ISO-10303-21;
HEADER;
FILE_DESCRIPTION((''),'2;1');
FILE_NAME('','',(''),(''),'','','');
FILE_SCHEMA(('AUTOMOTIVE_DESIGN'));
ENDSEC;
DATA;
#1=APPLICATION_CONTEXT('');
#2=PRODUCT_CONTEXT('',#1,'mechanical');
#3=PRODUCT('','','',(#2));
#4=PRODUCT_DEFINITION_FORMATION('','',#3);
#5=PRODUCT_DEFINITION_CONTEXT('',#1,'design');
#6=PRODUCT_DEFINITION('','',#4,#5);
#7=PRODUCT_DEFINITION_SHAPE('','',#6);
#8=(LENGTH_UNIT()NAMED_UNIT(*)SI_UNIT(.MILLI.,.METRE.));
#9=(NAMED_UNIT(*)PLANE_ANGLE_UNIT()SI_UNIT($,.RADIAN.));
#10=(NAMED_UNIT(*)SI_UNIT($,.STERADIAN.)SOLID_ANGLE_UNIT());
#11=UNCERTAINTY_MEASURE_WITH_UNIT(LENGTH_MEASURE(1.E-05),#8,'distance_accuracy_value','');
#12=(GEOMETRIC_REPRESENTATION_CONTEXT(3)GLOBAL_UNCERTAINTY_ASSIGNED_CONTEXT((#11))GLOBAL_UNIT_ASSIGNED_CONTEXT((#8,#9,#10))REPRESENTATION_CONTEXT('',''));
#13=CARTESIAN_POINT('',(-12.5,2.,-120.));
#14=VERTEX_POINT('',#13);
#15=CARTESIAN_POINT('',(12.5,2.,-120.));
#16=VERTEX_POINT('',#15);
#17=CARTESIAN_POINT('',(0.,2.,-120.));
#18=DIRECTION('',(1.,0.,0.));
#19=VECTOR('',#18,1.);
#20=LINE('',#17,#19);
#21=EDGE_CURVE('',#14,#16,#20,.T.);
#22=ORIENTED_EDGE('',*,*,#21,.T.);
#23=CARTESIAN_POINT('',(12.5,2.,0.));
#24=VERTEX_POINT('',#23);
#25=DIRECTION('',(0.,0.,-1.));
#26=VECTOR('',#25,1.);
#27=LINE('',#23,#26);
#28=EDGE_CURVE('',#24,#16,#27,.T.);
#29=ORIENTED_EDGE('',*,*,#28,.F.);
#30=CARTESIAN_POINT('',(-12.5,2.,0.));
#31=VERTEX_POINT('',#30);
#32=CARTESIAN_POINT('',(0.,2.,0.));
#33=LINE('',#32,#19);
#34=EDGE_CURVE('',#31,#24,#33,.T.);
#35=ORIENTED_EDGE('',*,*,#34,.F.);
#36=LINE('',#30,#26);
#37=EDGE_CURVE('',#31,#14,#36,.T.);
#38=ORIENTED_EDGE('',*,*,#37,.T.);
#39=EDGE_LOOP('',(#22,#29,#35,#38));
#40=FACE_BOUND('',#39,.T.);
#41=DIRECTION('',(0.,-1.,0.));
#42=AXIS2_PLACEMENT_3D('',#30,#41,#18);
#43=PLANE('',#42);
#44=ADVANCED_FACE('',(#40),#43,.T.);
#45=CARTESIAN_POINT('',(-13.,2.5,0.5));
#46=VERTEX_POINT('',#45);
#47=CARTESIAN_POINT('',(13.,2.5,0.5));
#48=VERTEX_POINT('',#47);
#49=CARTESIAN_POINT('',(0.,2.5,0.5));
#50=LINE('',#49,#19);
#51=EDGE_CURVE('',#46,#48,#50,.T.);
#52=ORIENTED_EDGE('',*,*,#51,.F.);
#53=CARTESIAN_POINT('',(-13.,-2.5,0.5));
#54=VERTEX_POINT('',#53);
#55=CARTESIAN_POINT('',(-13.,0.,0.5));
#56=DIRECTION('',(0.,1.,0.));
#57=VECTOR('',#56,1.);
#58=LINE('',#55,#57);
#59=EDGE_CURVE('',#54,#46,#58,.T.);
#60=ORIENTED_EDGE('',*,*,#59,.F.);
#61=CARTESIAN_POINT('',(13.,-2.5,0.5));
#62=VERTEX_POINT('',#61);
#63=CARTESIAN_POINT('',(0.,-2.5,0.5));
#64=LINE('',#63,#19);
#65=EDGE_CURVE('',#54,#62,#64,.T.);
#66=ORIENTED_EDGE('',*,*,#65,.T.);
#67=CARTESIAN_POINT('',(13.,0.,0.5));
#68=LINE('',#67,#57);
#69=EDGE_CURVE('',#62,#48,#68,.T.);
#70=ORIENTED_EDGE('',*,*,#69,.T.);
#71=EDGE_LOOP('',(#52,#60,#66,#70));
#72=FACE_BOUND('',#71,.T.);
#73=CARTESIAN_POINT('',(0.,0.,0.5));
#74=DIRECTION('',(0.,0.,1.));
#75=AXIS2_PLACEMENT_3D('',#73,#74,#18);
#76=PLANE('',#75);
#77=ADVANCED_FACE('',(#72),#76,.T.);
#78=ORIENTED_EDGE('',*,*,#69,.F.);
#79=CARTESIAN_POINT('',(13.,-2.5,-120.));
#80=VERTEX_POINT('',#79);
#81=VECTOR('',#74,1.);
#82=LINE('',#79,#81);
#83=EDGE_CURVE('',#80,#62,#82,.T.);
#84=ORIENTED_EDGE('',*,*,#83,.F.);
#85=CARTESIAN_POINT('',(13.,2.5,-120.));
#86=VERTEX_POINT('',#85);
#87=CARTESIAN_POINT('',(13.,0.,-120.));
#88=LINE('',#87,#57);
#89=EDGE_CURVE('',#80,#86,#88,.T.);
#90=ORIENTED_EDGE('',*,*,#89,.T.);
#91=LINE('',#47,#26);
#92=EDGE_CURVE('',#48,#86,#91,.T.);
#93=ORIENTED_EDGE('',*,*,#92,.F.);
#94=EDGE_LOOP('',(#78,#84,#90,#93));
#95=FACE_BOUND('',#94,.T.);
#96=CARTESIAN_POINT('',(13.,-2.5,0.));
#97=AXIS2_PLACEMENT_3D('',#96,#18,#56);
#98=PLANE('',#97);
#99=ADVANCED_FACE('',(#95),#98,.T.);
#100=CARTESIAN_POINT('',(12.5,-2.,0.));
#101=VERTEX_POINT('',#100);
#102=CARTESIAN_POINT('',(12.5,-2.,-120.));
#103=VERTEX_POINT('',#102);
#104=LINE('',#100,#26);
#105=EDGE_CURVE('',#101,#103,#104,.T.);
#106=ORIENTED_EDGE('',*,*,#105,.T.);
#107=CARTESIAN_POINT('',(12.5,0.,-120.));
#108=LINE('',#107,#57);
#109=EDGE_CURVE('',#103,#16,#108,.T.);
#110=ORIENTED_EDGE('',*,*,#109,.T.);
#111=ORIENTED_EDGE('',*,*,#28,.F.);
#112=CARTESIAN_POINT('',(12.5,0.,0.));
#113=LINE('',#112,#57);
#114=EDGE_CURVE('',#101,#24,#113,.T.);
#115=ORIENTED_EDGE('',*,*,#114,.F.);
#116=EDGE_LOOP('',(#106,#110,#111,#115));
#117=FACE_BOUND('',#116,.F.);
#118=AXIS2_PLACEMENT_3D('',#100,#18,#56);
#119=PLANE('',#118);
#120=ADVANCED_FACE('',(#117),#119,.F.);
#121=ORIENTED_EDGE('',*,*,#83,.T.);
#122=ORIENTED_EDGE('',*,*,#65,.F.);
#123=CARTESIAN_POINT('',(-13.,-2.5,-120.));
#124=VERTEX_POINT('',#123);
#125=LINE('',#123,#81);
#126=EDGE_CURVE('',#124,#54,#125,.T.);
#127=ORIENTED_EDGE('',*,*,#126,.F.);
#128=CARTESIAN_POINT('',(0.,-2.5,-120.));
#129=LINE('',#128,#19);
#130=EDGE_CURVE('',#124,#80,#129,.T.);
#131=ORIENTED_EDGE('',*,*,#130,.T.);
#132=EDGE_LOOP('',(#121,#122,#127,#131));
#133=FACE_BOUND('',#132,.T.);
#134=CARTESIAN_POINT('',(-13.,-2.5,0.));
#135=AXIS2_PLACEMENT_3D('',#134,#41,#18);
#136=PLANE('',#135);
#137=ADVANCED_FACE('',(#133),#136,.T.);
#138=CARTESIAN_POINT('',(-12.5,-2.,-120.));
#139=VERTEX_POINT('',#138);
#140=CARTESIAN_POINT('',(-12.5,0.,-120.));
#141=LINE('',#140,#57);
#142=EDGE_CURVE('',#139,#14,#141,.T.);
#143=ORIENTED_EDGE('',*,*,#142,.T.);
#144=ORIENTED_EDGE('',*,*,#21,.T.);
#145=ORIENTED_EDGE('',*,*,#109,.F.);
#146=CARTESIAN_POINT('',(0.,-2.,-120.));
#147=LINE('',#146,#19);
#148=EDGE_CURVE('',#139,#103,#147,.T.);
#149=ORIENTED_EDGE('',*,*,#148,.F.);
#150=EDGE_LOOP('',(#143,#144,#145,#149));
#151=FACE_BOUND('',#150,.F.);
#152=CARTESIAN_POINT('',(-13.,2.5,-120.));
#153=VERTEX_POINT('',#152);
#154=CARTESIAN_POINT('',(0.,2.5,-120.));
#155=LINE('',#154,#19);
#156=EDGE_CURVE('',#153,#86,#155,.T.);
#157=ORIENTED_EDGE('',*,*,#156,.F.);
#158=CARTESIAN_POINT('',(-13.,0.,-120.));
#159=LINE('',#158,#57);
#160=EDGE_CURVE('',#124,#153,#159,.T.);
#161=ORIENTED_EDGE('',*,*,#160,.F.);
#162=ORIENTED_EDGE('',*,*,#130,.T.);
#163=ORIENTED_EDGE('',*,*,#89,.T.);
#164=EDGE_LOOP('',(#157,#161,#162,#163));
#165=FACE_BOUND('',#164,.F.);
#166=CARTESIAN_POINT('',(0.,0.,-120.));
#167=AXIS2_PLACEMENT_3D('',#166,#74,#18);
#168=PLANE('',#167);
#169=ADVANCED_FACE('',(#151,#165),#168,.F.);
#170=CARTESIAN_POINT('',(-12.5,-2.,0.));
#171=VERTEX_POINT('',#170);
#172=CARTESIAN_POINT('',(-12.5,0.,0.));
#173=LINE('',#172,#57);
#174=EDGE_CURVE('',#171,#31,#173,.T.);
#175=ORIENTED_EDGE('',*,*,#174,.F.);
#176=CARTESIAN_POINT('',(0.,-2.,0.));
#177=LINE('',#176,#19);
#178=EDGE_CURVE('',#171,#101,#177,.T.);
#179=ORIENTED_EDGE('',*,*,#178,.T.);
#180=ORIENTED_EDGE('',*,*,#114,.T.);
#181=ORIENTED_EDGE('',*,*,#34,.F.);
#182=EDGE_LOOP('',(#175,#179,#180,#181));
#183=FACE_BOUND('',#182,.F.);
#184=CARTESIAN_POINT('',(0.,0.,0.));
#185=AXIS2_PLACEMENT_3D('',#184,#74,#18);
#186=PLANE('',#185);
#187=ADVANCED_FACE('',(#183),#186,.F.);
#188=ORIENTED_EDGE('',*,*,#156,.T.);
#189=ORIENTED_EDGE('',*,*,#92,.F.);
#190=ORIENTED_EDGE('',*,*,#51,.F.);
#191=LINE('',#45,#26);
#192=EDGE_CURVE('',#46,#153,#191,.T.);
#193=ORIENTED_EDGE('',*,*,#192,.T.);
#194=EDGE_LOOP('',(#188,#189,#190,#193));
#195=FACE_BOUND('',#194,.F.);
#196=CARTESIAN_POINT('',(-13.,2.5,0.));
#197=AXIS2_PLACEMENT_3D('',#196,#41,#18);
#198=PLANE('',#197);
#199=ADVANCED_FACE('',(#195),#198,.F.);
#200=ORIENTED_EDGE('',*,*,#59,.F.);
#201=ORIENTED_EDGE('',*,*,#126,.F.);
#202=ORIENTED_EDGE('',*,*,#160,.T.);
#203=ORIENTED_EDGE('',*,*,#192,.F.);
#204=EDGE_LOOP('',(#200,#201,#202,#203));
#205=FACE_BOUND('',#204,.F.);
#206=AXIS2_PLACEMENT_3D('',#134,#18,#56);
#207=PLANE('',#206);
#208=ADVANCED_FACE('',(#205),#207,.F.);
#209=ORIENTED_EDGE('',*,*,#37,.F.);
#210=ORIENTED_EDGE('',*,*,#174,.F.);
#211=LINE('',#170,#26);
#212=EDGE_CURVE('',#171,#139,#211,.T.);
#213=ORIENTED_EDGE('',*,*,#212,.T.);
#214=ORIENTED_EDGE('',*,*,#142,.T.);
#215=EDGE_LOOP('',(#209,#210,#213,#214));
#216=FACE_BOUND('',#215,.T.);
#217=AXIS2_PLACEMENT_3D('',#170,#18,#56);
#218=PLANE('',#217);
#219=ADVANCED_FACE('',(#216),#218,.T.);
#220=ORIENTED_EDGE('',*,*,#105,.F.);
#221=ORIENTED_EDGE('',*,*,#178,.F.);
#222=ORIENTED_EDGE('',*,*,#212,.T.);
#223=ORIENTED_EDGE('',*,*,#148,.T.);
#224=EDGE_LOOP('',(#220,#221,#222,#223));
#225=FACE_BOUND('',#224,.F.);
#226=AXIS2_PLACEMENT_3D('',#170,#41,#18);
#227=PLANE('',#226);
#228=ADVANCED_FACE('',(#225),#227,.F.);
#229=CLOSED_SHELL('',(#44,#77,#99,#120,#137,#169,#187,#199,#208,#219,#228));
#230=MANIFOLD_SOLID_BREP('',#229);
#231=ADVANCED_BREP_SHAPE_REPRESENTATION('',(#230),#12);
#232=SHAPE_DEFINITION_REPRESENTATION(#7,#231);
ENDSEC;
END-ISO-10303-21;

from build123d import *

# Parameters (mm, degrees)
F0_W     = 26
F0_H     = 5
F0_W_2   = 25
F0_H_2   = 4
F1_DEPTH = 0.5
F2_DEPTH = 120


with BuildPart() as f1:
    # F0 (on Top) → F1 (new body)
    with BuildSketch(Plane.XY):
        Rectangle(F0_W, F0_H)
        Rectangle(F0_W_2, F0_H_2, mode=Mode.SUBTRACT)
        Rectangle(F0_W_2, F0_H_2)
    extrude(amount=F1_DEPTH)

    # F0 (on Top) → F2 (join)
    with BuildSketch(Plane.XY):
        Rectangle(F0_W, F0_H)
        Rectangle(F0_W_2, F0_H_2, mode=Mode.SUBTRACT)
    extrude(amount=-F2_DEPTH)


solid = f1.part
